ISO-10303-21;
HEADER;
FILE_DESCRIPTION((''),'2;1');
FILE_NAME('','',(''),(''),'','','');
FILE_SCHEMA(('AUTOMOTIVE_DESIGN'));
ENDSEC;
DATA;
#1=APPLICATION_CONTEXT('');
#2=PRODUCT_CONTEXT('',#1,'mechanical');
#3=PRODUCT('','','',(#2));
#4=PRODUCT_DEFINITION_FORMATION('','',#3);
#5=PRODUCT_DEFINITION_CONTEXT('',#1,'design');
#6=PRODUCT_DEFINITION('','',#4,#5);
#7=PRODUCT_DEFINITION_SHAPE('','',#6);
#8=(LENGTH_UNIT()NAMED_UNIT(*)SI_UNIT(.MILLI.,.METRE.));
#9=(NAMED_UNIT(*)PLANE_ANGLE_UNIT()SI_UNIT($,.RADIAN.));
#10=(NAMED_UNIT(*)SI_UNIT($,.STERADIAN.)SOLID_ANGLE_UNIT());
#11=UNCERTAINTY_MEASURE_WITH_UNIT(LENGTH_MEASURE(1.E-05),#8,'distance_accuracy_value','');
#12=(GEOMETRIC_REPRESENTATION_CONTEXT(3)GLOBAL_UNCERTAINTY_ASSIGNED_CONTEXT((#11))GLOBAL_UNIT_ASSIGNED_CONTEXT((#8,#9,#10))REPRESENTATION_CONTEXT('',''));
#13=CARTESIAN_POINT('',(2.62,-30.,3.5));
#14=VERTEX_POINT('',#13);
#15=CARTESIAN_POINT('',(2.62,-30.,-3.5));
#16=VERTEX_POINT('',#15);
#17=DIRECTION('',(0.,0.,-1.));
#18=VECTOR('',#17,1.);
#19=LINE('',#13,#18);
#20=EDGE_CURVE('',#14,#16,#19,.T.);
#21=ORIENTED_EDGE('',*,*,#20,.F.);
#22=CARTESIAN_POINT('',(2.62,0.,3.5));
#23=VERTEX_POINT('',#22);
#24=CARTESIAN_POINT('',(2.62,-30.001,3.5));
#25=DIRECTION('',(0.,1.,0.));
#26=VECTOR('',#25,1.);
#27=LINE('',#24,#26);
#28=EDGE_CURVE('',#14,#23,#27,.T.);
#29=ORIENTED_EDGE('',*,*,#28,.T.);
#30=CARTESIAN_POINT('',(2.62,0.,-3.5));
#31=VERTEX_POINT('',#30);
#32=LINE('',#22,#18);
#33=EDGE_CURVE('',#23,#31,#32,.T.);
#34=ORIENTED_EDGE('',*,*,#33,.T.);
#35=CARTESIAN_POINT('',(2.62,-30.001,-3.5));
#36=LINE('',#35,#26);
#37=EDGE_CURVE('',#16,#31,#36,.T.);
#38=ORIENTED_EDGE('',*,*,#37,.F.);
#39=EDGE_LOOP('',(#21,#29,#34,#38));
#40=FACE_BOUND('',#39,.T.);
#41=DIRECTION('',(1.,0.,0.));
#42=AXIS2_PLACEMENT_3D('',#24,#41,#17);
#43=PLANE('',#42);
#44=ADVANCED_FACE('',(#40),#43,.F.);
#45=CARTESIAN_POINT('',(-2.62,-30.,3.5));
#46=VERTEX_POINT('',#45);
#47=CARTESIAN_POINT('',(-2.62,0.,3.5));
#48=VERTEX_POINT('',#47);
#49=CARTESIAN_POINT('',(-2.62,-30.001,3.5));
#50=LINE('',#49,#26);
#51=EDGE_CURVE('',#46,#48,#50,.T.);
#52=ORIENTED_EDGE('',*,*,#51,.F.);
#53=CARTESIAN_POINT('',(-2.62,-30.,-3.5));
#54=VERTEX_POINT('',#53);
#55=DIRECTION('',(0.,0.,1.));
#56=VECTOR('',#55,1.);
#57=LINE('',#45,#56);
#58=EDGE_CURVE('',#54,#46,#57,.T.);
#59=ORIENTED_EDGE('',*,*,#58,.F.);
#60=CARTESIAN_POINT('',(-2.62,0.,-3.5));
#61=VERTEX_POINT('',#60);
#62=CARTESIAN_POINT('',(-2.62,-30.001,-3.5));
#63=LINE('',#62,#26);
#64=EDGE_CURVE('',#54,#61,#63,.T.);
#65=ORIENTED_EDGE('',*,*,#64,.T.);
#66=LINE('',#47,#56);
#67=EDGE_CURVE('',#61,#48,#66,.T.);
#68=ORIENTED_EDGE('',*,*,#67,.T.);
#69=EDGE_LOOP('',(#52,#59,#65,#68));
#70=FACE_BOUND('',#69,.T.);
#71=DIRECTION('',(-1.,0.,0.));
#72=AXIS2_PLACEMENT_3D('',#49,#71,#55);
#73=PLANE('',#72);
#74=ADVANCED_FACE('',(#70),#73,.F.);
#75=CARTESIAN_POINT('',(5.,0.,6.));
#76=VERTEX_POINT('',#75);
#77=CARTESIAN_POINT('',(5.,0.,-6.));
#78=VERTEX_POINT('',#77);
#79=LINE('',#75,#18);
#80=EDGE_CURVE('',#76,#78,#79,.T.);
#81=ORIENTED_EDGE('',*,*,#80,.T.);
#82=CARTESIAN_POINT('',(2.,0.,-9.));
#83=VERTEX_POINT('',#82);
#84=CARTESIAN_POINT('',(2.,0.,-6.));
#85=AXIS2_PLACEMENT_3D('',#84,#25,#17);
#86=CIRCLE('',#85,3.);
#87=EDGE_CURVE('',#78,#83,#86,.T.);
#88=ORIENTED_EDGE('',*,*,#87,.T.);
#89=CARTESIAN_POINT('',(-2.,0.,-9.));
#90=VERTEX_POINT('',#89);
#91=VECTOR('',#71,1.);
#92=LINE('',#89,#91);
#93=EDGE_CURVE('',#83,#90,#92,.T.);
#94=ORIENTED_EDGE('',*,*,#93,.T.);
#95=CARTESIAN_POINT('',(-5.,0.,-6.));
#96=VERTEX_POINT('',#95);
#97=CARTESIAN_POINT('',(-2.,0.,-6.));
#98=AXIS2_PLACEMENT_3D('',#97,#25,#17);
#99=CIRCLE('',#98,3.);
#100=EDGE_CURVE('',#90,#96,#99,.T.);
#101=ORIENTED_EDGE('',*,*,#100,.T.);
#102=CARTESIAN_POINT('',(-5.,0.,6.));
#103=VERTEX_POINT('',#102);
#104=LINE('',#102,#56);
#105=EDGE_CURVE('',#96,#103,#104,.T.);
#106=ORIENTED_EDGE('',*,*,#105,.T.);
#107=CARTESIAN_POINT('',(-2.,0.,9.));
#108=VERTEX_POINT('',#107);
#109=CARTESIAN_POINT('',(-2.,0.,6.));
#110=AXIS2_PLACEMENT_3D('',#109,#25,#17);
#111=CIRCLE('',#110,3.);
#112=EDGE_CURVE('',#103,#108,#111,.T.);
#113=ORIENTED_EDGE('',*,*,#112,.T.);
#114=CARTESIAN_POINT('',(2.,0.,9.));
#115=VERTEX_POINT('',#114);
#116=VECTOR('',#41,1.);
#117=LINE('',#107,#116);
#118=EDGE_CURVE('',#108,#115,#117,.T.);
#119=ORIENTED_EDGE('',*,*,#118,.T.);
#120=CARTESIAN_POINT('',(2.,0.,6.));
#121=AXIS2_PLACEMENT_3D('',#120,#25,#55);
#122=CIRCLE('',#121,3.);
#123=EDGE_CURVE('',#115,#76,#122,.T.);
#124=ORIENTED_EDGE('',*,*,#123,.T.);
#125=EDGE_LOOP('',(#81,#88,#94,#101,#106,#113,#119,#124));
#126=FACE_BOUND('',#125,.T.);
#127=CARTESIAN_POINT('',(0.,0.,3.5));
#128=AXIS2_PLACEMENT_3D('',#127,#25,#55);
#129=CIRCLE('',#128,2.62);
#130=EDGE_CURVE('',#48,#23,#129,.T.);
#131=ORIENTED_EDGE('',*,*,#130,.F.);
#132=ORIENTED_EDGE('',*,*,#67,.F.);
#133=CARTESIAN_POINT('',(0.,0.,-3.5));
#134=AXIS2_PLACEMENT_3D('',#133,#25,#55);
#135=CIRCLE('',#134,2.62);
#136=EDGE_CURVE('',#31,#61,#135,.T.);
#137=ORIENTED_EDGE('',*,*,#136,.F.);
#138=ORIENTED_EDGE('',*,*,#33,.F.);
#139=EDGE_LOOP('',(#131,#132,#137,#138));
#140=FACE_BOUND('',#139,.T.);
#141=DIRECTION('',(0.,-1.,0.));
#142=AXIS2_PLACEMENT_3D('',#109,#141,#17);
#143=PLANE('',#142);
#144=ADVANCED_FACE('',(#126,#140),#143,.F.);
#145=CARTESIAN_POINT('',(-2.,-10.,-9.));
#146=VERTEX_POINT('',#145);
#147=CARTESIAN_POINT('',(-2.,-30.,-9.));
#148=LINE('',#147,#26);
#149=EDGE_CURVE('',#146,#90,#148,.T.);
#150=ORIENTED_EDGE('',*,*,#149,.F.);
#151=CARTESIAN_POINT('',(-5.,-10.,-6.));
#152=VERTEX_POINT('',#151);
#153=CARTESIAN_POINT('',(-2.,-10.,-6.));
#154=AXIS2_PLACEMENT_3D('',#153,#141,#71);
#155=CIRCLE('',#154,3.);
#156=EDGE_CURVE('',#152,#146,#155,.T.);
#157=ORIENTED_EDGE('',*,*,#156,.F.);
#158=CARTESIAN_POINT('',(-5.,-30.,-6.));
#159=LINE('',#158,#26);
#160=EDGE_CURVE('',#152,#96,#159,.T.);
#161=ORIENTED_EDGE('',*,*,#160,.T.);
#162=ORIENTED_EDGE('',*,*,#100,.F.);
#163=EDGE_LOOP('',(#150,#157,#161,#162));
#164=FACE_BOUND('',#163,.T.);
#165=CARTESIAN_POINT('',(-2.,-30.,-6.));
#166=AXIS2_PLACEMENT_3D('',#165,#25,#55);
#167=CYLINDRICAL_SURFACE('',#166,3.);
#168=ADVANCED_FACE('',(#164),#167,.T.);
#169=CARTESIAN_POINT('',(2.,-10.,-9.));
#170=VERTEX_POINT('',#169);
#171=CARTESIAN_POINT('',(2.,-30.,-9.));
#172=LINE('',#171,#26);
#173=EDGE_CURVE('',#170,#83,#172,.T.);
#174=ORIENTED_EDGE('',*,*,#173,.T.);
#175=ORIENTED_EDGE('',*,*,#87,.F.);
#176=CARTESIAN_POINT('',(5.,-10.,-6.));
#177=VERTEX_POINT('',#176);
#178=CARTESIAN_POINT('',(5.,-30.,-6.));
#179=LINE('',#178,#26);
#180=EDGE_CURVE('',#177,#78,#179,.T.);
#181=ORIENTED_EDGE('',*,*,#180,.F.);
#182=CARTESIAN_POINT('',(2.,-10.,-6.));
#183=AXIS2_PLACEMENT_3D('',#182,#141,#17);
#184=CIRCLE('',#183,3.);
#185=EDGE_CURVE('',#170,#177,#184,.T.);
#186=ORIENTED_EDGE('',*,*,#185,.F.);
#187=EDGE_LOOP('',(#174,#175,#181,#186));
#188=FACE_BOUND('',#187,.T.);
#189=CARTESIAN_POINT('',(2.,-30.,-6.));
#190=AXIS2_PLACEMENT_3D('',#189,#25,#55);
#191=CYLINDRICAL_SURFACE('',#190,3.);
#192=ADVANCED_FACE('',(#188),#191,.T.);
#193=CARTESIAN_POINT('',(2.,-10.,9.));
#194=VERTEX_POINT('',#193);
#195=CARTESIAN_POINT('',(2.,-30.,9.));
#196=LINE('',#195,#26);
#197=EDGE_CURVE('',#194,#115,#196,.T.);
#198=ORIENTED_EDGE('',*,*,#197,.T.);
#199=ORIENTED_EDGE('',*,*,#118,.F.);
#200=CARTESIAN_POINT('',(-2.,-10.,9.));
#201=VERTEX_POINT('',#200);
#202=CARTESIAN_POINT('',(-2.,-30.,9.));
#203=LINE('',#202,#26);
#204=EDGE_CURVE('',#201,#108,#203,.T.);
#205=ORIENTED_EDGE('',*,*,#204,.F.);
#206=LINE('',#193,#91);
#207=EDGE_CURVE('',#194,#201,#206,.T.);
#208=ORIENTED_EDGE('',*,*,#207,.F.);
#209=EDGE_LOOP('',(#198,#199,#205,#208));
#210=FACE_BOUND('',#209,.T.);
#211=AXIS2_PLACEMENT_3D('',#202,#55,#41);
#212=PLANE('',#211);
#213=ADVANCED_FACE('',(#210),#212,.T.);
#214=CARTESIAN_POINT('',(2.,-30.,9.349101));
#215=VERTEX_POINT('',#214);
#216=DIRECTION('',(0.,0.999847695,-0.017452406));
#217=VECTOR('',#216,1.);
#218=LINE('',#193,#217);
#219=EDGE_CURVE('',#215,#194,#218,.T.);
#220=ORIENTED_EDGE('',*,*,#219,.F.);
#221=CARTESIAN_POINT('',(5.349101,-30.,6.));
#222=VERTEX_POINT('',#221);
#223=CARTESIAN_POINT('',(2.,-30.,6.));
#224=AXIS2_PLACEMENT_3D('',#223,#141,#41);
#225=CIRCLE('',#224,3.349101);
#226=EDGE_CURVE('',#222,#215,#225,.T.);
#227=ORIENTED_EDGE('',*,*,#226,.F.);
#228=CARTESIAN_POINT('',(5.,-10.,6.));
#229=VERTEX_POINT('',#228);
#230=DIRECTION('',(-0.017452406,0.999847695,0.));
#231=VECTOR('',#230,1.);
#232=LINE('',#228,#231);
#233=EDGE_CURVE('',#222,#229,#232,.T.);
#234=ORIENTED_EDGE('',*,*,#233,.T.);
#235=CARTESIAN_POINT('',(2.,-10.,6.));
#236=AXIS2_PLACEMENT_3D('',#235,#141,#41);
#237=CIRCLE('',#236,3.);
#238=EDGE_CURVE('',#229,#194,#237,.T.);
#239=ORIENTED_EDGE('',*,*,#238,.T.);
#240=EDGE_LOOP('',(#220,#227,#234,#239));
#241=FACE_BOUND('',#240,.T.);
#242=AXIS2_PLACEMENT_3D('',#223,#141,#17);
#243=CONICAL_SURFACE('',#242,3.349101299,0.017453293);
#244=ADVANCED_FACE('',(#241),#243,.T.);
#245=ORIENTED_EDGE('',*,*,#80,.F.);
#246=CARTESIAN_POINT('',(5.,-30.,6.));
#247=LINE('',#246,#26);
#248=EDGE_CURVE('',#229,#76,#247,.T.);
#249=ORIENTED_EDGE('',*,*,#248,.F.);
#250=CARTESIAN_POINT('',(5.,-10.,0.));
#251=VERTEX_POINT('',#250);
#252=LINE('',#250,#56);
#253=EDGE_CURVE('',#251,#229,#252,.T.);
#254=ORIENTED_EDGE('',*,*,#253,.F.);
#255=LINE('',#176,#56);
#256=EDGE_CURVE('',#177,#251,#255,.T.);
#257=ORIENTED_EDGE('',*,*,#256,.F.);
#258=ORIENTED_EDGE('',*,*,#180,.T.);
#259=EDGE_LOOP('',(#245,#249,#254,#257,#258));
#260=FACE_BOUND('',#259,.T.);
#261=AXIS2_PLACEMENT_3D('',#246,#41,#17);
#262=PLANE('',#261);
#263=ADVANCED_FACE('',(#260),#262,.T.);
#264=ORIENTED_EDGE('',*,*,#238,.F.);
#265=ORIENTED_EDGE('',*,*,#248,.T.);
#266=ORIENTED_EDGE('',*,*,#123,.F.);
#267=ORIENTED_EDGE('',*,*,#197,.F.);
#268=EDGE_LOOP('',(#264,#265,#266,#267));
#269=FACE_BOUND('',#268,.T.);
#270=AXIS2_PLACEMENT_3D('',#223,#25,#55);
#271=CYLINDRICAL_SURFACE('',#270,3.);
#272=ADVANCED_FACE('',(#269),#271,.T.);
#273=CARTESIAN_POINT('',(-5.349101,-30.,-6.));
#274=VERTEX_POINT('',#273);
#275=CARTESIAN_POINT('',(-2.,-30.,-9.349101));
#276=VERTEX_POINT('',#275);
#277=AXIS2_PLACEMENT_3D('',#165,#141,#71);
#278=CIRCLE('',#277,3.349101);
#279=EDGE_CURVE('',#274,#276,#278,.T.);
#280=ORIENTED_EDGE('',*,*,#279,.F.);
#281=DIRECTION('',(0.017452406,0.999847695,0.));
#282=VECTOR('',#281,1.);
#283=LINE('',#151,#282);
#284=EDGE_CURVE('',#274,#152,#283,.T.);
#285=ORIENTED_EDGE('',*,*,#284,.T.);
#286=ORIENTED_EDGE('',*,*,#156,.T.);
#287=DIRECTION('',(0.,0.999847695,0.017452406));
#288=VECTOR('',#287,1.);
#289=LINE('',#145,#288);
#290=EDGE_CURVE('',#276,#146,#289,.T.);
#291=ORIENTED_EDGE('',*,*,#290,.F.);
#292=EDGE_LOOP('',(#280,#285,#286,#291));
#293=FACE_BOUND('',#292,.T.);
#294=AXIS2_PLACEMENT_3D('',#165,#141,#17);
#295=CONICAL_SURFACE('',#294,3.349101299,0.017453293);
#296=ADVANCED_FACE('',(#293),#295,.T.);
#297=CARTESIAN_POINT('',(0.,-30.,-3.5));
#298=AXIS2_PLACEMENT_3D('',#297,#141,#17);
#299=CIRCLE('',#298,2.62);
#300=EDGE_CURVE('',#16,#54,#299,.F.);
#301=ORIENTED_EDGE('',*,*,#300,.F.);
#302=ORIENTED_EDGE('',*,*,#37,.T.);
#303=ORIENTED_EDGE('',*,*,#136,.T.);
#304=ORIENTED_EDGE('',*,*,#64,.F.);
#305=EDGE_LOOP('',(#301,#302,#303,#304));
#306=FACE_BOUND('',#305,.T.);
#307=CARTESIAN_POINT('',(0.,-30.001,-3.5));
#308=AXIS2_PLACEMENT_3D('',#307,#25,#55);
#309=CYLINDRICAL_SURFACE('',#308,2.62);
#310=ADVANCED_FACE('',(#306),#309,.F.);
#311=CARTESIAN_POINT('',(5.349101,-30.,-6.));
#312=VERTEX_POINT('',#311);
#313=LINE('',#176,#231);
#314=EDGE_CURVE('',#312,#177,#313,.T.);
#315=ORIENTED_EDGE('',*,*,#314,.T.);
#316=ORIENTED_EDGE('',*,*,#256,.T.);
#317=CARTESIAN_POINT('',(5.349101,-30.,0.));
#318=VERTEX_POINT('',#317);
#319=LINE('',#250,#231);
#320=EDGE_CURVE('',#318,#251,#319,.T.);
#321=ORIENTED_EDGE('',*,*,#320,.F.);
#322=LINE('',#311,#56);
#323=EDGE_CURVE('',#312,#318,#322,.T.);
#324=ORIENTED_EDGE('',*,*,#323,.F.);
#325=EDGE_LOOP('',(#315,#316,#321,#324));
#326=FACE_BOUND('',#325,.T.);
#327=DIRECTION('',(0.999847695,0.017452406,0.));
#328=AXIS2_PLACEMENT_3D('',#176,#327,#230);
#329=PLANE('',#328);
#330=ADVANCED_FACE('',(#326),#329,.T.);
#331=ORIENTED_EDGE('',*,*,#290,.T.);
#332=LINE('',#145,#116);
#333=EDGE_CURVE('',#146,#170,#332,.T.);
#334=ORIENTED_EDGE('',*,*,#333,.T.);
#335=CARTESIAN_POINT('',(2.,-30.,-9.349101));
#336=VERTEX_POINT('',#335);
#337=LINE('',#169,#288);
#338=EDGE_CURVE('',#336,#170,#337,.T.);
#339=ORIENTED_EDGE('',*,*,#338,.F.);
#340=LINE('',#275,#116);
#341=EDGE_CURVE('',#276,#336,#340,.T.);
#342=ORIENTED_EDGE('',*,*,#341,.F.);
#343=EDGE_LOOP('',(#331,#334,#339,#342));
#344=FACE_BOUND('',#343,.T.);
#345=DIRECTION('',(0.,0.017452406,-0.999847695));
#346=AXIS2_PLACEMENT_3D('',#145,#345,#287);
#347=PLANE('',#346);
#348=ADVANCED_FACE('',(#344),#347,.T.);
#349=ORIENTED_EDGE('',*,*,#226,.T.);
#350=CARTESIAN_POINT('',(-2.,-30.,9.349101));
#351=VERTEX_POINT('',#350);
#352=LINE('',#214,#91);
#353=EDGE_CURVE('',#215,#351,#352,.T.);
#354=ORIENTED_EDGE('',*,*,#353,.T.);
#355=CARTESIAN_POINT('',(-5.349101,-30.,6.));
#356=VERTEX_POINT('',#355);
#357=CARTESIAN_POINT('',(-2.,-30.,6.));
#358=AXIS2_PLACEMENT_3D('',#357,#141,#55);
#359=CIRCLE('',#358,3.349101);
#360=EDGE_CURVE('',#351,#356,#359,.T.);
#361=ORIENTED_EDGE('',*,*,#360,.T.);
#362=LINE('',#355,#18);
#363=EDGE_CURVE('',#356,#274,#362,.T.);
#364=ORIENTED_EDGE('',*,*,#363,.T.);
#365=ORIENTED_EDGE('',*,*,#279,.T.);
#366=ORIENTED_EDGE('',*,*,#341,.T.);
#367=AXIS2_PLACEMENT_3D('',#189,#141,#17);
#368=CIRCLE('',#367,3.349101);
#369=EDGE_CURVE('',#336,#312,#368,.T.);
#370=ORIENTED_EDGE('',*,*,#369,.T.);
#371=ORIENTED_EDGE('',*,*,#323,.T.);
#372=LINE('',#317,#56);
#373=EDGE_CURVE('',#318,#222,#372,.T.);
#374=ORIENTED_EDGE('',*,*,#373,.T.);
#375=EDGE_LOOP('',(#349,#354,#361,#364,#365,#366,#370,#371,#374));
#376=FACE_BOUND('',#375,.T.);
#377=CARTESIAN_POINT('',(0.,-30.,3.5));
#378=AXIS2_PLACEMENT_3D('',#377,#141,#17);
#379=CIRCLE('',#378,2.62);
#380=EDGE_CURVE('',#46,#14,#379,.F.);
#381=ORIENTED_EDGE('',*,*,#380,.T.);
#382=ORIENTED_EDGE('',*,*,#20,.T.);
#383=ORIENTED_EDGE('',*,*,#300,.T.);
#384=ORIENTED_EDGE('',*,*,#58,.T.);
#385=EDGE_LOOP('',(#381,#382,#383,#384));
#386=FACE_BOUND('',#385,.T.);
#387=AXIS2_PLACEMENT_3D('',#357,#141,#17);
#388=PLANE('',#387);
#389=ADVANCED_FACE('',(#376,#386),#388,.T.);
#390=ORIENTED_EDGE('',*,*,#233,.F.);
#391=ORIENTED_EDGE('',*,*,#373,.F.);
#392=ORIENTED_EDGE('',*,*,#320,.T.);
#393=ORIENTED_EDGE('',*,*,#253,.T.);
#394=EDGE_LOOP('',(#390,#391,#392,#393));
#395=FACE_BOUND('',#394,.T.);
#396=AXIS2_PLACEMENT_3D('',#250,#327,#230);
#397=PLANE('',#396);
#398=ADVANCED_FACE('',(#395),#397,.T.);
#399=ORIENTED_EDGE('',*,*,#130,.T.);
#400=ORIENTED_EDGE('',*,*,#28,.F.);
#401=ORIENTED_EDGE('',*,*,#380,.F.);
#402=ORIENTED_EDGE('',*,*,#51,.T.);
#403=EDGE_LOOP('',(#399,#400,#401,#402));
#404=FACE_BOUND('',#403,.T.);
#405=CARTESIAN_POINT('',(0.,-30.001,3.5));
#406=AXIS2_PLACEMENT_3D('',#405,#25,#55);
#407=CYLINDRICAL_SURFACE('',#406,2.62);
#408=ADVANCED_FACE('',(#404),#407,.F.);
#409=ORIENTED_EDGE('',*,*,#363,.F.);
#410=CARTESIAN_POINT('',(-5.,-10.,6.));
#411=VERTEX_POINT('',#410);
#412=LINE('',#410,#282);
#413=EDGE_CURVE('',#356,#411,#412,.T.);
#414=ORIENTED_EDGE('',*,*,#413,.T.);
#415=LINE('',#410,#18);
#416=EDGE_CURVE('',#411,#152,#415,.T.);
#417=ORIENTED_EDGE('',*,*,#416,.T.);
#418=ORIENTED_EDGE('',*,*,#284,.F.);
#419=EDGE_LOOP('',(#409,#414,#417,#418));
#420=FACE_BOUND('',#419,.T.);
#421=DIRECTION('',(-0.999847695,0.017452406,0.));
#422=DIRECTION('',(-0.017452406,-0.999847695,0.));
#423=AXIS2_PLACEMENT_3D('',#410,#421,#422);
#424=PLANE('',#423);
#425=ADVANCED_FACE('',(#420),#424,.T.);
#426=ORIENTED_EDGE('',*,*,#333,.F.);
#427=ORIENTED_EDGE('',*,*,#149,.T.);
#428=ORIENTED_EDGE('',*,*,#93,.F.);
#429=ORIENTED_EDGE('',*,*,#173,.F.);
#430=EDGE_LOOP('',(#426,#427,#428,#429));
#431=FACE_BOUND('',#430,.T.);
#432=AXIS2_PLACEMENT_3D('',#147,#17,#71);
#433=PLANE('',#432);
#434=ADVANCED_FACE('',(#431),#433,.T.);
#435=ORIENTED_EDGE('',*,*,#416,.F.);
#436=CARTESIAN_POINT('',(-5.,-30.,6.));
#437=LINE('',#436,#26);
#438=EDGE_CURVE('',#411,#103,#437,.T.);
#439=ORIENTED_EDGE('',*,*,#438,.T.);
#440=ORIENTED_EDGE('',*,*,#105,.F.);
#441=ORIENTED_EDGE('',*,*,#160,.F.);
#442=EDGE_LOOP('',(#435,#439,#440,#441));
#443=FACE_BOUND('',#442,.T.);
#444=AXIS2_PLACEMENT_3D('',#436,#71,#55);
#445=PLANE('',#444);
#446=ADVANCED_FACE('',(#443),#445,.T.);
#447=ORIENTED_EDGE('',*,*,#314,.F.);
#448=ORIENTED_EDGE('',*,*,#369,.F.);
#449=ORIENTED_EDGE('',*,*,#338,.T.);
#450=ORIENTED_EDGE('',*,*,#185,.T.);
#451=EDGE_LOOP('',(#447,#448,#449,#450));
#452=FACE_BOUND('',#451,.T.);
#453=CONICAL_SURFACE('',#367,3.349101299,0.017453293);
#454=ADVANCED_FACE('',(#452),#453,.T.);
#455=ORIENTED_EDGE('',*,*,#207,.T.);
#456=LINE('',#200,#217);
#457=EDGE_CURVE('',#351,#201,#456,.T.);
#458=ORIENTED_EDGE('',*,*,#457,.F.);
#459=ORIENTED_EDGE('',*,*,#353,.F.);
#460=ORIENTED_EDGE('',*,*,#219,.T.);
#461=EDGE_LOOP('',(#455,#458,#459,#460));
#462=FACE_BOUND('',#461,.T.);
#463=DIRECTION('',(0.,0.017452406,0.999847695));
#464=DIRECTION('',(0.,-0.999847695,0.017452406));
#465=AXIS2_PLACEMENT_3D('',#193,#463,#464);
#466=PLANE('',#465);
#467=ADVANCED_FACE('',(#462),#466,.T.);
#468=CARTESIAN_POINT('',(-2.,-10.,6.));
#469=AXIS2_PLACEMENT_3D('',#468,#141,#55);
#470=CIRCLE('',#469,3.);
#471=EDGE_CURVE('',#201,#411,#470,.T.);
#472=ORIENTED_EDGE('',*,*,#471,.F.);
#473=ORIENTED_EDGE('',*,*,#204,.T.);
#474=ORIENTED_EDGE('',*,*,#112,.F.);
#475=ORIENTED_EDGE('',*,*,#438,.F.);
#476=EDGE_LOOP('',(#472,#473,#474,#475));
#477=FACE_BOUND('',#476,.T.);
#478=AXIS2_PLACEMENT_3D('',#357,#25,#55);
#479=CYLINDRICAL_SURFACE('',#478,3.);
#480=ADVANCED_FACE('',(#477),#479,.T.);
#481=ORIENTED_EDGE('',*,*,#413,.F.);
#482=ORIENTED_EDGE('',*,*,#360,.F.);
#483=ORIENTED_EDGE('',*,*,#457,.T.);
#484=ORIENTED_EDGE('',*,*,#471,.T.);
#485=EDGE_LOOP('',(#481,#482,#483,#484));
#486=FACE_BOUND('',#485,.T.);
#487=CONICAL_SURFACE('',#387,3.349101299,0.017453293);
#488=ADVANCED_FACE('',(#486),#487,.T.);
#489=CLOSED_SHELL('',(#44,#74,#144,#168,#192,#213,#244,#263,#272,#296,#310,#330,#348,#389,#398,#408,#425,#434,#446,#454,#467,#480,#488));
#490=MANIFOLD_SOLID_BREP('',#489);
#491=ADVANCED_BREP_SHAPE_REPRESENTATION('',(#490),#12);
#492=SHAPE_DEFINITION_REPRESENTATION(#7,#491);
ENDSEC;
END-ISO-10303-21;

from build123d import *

# Parameters (mm, degrees)
BOSS_EXTRUDE1_DEPTH = 30
CUT_EXTRUDE2_REACH  = 33.718


with BuildPart() as part:
    # Sketch1 → Boss-Extrude1 (new body)
    with BuildSketch(Plane(origin=(0, 0, 0), x_dir=(1, 0, 0), z_dir=(0, 1, 0))):
        with BuildLine():
            Line((-2, -9), (2, -9))
            ThreePointArc((2, -9), (4.121320344, -8.121320344), (5, -6))
            Line((5, -6), (5, 6))
            ThreePointArc((5, 6), (4.121320344, 8.121320344), (2, 9))
            Line((2, 9), (-2, 9))
            ThreePointArc((-2, 9), (-4.121320344, 8.121320344), (-5, 6))
            Line((-5, 6), (-5, -6))
            ThreePointArc((-5, -6), (-4.121320344, -8.121320344), (-2, -9))
        make_face()
    extrude(amount=-BOSS_EXTRUDE1_DEPTH)

    # Sketch5 → Cut-Extrude2 (cut, up to next)
    with BuildSketch(Plane(origin=(0, 0, 0), x_dir=(1, 0, 0), z_dir=(0, 1, 0)), mode=Mode.PRIVATE) as cut_extrude2_sk1:
        with BuildLine():
            Line((-2.62, -3.5), (-2.62, 3.5))
            ThreePointArc((-2.62, 3.5), (0, 6.12), (2.62, 3.5))
            Line((2.62, 3.5), (2.62, -3.5))
            ThreePointArc((2.62, -3.5), (0, -6.12), (-2.62, -3.5))
        make_face()
    cut_extrude2_tool1 = extrude(cut_extrude2_sk1.sketch, amount=-CUT_EXTRUDE2_REACH, mode=Mode.PRIVATE) & part.part
    add(cut_extrude2_tool1.solids().sort_by_distance((0, 0, 0))[0], mode=Mode.SUBTRACT)

    # Sweep1: sweep along a path in Sketch1<3>
    with BuildLine(Plane(origin=(0, 0, 0), x_dir=(1, 0, 0), z_dir=(0, 1, 0))) as sweep1_path:
        Line((-2, -9), (2, -9))
        ThreePointArc((2, -9), (4.121320344, -8.121320344), (5, -6))
        Line((5, -6), (5, 6))
        ThreePointArc((5, 6), (4.121320344, 8.121320344), (2, 9))
        Line((2, 9), (-2, 9))
        ThreePointArc((-2, 9), (-4.121320344, 8.121320344), (-5, 6))
        Line((-5, 6), (-5, -6))
        ThreePointArc((-5, -6), (-4.121320344, -8.121320344), (-2, -9))
    # Sketch6 → Sweep1 (sweep)
    with BuildSketch(Plane.XY):
        Polygon((5, -10), (5.349101299, -30), (5, -30), align=None)
    sweep(path=sweep1_path.line)


solid = part.part
